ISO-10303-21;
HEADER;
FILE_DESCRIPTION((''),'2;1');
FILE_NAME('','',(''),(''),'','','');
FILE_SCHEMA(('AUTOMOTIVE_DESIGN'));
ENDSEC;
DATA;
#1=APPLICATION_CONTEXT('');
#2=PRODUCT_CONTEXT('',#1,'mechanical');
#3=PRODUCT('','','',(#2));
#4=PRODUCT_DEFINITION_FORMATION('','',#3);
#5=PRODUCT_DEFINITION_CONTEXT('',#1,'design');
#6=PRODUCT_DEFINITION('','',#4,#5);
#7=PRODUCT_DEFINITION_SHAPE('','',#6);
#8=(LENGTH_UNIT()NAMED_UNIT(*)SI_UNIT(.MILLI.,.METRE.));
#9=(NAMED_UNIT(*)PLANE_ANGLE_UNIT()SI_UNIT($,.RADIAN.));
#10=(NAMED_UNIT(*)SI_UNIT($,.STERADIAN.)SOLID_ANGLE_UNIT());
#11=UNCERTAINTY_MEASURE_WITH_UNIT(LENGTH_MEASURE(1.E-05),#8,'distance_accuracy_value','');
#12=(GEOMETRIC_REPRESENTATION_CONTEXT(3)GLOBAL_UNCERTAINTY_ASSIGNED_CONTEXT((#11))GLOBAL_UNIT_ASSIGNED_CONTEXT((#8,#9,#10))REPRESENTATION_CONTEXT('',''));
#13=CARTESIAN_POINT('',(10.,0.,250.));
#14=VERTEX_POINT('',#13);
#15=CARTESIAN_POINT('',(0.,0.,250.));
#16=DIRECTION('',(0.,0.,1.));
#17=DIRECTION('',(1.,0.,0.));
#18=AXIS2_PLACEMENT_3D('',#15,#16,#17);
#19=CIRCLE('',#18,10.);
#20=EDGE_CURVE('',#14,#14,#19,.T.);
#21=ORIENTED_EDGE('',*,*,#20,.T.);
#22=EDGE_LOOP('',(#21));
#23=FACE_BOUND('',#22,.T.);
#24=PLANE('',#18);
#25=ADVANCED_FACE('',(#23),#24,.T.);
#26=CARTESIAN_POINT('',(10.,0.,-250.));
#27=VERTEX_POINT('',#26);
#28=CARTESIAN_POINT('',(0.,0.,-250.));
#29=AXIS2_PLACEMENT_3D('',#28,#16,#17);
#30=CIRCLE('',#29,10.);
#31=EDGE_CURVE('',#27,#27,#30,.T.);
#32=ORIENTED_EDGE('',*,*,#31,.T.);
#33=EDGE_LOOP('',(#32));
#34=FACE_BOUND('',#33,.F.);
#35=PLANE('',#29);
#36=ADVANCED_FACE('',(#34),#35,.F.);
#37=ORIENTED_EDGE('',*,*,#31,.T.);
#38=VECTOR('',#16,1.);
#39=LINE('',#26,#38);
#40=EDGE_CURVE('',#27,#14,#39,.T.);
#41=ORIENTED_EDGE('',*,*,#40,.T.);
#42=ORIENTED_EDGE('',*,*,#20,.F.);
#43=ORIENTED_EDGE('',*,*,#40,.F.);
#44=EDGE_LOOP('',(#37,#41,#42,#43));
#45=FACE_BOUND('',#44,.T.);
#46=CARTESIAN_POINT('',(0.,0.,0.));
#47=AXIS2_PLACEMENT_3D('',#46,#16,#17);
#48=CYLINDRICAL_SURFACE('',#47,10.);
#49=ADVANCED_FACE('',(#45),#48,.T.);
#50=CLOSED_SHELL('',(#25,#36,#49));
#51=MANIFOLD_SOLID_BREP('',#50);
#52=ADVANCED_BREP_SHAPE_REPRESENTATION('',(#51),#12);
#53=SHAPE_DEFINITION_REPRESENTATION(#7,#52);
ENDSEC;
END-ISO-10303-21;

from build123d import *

# Parameters (mm, degrees)
SKETCH1_R           = 10
BOSS_EXTRUDE1_DEPTH = 250


with BuildPart() as part:
    # Sketch1 → Boss-Extrude1 (new body, symmetric)
    with BuildSketch(Plane.XY):
        Circle(SKETCH1_R)
    extrude(amount=BOSS_EXTRUDE1_DEPTH, both=True)


solid = part.part
